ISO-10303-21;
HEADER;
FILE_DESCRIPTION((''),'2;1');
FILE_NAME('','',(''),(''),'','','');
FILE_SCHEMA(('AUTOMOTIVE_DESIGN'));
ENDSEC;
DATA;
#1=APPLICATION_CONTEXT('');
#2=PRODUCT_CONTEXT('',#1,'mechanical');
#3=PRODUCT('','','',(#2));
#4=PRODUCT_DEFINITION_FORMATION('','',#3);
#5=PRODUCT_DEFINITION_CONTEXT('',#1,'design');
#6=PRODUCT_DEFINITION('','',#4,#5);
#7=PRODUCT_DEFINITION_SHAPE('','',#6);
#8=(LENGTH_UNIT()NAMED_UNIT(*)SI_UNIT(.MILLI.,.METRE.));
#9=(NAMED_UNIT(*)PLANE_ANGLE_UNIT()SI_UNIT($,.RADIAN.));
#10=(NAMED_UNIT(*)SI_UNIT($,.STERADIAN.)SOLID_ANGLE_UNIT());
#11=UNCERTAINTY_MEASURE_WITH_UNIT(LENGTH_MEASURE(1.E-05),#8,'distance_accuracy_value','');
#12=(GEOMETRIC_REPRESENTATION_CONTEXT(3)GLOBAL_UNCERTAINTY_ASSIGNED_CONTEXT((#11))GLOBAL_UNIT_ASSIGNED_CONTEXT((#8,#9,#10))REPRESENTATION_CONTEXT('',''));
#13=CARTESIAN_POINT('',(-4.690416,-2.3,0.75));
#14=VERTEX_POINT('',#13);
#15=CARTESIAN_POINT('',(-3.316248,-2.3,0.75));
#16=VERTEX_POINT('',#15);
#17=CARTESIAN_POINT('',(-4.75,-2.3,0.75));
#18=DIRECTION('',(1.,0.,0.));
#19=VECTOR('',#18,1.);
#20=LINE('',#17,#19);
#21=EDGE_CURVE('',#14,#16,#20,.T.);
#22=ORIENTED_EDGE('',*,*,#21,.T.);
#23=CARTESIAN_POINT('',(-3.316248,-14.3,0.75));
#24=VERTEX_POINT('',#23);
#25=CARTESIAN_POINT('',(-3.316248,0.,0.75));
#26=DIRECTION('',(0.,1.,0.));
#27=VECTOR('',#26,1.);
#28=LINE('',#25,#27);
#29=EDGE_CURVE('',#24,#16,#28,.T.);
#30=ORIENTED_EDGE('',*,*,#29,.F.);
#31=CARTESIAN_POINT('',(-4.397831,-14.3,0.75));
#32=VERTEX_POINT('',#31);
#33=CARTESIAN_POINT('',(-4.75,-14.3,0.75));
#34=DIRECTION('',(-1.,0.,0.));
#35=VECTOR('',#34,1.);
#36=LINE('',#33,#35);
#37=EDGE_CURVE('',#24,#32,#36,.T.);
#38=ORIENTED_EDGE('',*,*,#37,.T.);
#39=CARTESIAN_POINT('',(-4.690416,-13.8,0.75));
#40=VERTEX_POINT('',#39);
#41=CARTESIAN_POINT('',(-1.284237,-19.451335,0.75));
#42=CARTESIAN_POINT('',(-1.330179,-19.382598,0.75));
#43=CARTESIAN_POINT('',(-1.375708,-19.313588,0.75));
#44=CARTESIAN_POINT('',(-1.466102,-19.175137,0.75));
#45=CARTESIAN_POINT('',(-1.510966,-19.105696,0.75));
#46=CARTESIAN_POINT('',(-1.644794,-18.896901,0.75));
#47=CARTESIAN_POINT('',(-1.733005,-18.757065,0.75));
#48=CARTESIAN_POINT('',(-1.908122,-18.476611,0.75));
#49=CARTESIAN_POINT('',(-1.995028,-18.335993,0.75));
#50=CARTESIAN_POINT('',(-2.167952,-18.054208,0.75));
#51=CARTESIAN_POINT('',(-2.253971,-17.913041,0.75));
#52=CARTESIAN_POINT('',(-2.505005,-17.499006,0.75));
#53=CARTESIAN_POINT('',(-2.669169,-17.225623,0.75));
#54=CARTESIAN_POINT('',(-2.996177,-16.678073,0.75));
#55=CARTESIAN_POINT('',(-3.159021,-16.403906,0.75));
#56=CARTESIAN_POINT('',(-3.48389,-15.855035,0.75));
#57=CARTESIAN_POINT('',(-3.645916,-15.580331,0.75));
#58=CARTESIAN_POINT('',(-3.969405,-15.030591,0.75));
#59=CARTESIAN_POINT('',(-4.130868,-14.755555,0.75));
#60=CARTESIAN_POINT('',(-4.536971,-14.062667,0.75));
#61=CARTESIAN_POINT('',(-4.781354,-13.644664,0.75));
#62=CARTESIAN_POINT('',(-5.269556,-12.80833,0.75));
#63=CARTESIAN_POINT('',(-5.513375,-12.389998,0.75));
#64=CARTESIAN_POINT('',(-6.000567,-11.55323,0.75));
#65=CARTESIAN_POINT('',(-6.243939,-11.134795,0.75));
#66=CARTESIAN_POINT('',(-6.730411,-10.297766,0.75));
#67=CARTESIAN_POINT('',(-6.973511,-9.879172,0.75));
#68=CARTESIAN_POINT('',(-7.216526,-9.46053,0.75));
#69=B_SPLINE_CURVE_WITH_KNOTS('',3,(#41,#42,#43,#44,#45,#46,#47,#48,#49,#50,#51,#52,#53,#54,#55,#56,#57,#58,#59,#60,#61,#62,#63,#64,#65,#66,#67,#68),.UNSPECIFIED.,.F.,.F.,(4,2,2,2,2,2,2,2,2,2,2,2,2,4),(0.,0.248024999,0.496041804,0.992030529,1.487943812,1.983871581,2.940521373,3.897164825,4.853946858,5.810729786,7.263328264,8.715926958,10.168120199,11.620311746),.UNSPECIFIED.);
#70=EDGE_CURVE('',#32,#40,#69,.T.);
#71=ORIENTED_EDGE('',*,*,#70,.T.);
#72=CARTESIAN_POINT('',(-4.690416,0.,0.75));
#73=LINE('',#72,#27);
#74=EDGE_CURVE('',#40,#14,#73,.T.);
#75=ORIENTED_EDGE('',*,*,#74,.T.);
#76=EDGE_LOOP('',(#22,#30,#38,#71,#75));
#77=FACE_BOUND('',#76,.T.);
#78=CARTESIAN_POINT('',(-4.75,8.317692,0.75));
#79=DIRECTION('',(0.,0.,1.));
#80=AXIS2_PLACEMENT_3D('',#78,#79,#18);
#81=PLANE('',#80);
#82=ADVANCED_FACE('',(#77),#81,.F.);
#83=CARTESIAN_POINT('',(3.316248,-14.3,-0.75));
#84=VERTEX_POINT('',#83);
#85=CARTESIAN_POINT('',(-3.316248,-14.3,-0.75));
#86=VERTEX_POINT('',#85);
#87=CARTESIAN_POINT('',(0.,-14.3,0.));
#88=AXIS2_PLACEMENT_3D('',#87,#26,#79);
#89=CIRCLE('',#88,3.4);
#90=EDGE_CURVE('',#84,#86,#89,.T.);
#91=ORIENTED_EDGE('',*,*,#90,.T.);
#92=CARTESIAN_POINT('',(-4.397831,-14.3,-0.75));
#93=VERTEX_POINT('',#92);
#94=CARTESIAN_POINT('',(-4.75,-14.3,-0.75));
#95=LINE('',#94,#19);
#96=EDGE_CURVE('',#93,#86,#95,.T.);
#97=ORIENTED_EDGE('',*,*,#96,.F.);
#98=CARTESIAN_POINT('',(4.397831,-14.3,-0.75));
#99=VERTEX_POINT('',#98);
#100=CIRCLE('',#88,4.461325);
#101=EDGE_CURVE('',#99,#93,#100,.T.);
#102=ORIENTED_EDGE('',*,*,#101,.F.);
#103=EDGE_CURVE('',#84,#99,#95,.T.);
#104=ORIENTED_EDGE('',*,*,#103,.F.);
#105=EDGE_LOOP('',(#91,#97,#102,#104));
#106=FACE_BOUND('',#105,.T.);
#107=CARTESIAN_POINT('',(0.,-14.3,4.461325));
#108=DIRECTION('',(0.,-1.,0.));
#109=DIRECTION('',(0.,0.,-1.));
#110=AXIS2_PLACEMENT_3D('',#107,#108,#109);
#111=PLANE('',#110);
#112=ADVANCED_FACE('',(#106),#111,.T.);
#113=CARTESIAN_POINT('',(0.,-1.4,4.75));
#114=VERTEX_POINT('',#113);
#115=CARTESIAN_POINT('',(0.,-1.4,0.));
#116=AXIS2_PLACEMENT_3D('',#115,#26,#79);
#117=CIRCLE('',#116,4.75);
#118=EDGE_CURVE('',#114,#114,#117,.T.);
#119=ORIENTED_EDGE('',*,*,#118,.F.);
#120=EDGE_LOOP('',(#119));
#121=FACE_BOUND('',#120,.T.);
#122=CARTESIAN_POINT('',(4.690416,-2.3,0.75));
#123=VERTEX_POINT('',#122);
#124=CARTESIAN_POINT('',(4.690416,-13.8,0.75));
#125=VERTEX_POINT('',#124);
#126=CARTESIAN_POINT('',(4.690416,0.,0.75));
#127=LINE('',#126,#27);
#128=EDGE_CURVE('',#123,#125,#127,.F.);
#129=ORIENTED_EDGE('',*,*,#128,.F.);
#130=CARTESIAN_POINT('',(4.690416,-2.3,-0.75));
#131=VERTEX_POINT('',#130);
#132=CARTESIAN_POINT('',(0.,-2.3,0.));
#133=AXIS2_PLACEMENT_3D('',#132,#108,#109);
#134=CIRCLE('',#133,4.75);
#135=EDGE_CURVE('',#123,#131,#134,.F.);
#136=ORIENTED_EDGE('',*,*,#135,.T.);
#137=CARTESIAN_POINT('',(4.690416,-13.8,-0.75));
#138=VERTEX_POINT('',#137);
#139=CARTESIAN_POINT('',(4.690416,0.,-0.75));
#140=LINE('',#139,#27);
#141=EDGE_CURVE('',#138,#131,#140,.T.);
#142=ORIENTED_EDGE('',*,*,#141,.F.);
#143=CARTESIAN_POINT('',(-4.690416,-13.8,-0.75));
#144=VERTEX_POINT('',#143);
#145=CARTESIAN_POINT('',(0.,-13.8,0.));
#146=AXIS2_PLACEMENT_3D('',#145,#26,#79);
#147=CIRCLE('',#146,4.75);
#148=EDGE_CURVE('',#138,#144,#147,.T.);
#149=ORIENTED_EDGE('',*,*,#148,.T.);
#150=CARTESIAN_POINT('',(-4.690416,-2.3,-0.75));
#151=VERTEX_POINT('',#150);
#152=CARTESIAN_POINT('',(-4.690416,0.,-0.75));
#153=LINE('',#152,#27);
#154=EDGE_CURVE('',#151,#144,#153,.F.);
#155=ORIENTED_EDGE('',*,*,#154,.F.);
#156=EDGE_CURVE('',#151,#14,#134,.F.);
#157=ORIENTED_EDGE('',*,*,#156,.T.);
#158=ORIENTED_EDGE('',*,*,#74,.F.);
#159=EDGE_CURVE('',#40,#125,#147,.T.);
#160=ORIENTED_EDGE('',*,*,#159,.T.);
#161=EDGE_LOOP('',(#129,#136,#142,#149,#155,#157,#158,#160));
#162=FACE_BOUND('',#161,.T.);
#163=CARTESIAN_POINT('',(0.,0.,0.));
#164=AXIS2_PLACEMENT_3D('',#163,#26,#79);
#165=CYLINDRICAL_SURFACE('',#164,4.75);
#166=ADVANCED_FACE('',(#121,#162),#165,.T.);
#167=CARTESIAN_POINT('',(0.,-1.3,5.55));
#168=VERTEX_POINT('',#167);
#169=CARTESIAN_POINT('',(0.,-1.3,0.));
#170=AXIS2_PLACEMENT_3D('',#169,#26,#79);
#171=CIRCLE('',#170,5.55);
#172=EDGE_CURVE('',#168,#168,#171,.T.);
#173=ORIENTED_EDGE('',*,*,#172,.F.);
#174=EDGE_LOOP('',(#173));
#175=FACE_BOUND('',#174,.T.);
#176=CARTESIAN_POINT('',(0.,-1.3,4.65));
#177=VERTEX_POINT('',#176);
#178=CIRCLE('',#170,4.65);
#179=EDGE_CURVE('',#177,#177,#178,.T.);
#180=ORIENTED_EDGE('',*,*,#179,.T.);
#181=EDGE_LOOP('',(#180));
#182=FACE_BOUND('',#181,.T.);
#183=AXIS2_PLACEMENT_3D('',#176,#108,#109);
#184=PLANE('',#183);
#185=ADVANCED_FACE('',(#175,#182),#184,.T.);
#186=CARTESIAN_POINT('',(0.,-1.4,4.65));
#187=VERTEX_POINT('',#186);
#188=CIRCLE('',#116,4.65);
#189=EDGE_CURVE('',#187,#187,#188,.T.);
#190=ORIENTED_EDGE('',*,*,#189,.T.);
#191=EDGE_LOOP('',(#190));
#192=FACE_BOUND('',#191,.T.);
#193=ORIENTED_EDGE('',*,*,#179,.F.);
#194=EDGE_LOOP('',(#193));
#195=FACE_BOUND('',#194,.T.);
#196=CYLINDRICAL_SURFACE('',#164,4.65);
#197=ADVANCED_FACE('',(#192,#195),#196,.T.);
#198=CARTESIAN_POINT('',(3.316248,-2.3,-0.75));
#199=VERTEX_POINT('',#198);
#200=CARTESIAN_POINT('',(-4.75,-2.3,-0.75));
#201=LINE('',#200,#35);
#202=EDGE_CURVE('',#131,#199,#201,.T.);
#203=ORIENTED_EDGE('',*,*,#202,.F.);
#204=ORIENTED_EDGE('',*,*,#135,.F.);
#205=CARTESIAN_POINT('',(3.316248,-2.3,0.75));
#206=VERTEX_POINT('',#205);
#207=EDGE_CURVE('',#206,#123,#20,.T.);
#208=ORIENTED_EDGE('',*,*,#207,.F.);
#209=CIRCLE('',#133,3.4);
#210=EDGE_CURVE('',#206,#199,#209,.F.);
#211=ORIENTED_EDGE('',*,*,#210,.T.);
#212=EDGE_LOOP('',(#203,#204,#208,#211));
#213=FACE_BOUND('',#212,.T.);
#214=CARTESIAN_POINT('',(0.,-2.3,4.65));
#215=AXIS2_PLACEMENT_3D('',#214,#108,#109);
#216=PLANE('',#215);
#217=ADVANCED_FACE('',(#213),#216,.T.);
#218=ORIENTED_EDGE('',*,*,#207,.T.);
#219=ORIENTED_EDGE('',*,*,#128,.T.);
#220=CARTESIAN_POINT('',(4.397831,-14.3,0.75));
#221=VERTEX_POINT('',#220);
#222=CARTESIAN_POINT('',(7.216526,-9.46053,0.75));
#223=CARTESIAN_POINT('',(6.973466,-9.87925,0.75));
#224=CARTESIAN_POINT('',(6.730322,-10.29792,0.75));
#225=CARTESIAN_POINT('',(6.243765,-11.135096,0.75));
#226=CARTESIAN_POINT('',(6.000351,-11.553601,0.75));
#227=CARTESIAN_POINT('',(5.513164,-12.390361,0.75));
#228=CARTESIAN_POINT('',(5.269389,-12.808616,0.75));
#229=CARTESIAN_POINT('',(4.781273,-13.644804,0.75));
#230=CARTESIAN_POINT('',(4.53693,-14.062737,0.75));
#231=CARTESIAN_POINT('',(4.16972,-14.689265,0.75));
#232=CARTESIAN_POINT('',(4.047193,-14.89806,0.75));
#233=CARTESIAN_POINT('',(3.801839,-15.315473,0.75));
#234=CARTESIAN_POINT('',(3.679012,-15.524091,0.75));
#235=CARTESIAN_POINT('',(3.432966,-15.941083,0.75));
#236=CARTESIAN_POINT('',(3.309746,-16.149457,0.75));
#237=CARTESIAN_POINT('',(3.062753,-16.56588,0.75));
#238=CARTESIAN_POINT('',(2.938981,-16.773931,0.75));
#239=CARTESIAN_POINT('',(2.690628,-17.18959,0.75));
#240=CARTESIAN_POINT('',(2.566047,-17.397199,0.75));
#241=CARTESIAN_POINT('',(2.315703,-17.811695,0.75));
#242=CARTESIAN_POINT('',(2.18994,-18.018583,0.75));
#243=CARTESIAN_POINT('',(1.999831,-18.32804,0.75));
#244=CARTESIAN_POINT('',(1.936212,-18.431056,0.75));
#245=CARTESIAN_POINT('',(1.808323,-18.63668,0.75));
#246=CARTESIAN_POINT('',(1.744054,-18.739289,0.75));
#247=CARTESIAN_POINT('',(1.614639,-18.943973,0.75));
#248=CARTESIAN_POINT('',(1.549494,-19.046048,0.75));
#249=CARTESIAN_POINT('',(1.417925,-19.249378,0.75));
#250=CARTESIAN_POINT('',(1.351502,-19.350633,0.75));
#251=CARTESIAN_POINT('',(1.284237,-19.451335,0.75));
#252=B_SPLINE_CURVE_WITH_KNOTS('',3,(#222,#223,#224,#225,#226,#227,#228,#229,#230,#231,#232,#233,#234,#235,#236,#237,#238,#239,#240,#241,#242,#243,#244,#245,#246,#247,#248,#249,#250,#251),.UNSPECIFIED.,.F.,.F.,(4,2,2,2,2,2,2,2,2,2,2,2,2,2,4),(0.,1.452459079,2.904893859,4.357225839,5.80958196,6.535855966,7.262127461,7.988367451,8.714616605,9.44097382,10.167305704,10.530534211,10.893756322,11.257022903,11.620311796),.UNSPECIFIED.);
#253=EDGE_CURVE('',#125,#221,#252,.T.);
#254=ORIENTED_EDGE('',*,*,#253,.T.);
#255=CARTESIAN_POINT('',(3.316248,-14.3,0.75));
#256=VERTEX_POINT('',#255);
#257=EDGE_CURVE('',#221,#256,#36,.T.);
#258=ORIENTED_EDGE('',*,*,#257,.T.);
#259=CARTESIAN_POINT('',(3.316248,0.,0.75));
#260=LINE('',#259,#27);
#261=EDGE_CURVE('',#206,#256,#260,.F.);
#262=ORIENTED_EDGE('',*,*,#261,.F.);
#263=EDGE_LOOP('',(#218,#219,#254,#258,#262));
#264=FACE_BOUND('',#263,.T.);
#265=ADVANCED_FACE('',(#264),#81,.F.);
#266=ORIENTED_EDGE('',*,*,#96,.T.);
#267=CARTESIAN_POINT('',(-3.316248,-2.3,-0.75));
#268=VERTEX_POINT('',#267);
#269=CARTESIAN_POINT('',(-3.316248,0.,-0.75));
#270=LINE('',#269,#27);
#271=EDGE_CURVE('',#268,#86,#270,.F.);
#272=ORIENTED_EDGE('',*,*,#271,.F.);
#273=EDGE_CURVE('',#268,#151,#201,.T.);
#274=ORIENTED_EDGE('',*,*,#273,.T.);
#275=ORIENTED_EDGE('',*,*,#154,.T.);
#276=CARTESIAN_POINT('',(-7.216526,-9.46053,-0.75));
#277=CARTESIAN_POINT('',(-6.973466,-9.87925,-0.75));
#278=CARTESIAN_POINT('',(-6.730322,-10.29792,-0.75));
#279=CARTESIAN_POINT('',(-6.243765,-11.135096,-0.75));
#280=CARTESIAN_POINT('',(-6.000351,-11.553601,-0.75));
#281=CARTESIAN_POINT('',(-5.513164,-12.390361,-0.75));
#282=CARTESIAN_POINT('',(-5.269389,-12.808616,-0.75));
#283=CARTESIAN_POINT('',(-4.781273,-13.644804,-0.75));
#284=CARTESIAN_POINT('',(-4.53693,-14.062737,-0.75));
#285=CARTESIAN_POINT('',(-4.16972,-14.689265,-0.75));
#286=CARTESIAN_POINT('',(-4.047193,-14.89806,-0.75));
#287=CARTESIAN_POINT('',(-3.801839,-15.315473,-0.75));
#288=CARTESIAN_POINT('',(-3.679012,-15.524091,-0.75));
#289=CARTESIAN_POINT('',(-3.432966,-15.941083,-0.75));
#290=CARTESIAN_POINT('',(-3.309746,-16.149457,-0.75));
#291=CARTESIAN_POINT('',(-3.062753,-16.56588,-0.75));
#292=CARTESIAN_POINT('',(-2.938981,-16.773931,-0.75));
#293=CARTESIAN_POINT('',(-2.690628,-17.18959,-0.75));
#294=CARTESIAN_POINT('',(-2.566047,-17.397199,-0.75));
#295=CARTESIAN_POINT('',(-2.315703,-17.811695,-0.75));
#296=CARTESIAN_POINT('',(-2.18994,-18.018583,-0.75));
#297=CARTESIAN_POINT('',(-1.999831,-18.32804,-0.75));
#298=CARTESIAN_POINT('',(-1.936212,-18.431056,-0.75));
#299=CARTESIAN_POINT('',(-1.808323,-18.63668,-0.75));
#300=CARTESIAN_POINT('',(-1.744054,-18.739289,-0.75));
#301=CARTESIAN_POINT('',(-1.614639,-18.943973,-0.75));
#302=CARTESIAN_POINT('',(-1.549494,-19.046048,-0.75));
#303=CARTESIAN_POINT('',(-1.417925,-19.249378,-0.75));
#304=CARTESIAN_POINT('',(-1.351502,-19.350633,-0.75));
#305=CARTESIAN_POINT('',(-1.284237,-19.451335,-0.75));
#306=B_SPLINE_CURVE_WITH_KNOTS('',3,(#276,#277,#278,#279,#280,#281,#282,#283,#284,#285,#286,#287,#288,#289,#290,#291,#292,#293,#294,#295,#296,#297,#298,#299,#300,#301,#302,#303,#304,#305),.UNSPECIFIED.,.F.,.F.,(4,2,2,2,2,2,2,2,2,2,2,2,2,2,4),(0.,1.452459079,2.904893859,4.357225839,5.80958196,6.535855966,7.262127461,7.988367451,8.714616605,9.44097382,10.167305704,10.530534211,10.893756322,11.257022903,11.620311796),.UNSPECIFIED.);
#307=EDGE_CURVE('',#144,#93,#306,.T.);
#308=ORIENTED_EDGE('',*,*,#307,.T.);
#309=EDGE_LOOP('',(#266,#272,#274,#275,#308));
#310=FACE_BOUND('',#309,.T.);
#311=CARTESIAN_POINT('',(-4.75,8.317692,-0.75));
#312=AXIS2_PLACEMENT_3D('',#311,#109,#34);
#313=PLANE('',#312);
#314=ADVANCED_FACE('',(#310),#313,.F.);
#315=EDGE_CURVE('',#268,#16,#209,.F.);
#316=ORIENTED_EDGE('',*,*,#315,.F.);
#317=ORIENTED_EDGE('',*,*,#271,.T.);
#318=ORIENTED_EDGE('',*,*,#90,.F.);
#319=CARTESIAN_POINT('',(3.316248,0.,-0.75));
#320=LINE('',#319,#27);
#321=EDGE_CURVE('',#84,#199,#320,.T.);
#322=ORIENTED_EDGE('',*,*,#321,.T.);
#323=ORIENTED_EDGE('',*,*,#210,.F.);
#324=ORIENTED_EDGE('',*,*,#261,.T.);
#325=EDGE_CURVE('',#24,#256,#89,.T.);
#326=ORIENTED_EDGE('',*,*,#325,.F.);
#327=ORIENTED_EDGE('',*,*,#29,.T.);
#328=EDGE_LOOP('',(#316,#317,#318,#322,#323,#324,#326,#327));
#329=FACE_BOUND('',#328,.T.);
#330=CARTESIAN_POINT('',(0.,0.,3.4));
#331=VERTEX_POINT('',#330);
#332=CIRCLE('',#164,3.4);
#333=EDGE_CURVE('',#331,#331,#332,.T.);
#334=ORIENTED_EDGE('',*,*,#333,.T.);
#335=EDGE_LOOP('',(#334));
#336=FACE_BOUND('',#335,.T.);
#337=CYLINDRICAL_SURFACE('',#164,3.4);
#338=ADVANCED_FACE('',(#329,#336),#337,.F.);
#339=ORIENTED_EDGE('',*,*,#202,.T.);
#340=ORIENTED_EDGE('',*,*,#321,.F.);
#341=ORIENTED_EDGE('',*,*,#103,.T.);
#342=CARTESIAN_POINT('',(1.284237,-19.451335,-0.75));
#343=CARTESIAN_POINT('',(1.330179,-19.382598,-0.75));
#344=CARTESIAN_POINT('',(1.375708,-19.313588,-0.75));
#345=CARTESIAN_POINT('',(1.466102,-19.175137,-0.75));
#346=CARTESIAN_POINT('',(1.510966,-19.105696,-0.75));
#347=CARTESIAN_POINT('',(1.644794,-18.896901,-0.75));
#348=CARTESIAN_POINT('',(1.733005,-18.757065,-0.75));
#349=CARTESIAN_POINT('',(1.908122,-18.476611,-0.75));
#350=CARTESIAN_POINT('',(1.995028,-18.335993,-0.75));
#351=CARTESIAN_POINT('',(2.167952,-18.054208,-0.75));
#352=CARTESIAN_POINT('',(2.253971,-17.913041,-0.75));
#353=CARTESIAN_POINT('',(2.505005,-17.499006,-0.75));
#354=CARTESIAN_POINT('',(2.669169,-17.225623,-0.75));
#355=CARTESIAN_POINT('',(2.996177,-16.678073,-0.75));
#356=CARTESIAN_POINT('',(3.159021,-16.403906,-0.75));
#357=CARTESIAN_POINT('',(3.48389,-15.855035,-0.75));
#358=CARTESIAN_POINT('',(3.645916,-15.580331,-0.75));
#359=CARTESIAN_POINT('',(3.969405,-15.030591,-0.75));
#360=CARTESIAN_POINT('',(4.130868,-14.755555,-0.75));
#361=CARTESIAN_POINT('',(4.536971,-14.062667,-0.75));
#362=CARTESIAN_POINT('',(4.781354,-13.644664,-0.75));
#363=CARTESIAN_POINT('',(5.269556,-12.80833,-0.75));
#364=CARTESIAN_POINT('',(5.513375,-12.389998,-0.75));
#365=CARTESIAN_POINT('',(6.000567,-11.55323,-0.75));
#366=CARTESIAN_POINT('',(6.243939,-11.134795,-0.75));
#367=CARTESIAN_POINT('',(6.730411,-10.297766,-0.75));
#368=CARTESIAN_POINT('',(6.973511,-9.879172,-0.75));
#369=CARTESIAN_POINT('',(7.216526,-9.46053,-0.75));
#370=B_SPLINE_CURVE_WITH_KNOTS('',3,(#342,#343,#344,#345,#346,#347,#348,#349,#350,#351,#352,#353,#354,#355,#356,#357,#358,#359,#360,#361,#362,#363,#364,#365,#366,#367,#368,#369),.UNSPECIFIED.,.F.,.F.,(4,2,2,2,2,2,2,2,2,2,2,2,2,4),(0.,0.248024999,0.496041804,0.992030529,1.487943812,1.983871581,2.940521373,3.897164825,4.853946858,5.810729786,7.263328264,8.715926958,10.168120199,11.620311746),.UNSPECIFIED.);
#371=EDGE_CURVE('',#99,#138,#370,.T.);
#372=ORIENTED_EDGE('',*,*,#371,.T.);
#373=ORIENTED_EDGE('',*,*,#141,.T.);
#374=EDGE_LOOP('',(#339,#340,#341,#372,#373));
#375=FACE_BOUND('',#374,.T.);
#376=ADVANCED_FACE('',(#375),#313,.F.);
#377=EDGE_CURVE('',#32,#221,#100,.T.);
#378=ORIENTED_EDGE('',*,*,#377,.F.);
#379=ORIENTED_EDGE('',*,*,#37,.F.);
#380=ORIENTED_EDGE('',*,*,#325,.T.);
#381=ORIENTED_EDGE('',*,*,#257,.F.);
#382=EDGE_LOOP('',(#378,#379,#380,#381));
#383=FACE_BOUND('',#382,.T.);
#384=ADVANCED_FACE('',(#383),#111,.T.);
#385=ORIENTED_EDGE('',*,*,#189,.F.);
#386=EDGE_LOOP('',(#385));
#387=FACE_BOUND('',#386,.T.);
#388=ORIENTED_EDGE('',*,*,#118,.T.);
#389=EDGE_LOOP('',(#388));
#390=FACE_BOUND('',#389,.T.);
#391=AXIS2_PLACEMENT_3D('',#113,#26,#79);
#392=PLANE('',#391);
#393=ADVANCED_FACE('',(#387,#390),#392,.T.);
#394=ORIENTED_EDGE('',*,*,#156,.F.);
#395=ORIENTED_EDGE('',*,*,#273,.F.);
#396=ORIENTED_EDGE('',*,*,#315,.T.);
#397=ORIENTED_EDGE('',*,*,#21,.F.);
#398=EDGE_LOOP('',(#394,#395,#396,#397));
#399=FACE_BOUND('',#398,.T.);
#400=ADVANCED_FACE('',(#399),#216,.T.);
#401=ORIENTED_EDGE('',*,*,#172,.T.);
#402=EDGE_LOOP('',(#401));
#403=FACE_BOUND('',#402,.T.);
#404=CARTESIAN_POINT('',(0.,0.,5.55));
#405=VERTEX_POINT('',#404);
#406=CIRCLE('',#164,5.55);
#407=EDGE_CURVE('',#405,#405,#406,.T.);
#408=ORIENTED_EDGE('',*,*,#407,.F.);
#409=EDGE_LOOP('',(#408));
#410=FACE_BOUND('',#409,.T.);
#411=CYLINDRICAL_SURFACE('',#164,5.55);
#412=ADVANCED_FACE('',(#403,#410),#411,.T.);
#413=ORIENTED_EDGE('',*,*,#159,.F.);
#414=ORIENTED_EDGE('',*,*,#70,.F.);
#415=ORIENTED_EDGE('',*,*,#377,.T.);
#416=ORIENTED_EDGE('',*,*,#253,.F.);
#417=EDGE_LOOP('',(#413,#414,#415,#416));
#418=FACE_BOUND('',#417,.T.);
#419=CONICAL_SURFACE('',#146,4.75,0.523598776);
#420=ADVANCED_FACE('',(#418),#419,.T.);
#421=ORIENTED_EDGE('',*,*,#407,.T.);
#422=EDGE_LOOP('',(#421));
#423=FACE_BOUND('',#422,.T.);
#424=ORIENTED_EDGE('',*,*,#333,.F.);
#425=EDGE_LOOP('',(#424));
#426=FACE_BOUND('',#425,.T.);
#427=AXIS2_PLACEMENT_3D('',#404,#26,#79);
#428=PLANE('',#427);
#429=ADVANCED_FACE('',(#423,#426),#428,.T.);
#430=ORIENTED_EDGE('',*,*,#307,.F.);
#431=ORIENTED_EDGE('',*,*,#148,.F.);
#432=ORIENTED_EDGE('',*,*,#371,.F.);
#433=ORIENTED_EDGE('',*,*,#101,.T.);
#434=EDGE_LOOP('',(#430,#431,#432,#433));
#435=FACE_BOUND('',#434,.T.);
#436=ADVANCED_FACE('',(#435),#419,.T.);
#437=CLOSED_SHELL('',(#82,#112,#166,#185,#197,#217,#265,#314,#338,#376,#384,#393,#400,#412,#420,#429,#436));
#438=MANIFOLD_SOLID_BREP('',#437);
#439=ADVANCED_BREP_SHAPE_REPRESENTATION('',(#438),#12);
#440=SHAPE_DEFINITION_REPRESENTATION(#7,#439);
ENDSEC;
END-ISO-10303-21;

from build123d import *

# Parameters (mm, degrees)
TAPPED_HOLE1_D     = 6.8
SKETCH4_W          = 9.5
SKETCH4_H          = 1.5
CUT_EXTRUDE1_DEPTH = 12


with BuildPart() as part:
    # Sketch1 → Revolve1 (revolve)
    with BuildSketch(Plane(origin=(0, 0, 0), x_dir=(0, 0, -1), z_dir=(1, 0, 0))):
        Polygon((-4.75, -13.8), (-4.75, -1.4), (-4.65, -1.4), (-4.65, -1.3), (-5.55, -1.3), (-5.55, 0), (-3.25, 0), (-3.25, -14.3), (-4.461324865, -14.3), align=None)
    revolve(axis=Axis((0, 0, 0), (0, -1, 0)))

    # Tapped Hole1 (through all)
    with Locations(Plane(origin=(0, 0, 0), x_dir=(1, 0, 0), z_dir=(0, 1, 0))):
        with Locations((0, 0)):
            Hole(TAPPED_HOLE1_D / 2)

    # Sketch4 → Cut-Extrude1 (cut)
    with BuildSketch(Plane.XZ.offset(14.3)):
        Rectangle(SKETCH4_W, SKETCH4_H)
    extrude(amount=-CUT_EXTRUDE1_DEPTH, mode=Mode.SUBTRACT)


solid = part.part
